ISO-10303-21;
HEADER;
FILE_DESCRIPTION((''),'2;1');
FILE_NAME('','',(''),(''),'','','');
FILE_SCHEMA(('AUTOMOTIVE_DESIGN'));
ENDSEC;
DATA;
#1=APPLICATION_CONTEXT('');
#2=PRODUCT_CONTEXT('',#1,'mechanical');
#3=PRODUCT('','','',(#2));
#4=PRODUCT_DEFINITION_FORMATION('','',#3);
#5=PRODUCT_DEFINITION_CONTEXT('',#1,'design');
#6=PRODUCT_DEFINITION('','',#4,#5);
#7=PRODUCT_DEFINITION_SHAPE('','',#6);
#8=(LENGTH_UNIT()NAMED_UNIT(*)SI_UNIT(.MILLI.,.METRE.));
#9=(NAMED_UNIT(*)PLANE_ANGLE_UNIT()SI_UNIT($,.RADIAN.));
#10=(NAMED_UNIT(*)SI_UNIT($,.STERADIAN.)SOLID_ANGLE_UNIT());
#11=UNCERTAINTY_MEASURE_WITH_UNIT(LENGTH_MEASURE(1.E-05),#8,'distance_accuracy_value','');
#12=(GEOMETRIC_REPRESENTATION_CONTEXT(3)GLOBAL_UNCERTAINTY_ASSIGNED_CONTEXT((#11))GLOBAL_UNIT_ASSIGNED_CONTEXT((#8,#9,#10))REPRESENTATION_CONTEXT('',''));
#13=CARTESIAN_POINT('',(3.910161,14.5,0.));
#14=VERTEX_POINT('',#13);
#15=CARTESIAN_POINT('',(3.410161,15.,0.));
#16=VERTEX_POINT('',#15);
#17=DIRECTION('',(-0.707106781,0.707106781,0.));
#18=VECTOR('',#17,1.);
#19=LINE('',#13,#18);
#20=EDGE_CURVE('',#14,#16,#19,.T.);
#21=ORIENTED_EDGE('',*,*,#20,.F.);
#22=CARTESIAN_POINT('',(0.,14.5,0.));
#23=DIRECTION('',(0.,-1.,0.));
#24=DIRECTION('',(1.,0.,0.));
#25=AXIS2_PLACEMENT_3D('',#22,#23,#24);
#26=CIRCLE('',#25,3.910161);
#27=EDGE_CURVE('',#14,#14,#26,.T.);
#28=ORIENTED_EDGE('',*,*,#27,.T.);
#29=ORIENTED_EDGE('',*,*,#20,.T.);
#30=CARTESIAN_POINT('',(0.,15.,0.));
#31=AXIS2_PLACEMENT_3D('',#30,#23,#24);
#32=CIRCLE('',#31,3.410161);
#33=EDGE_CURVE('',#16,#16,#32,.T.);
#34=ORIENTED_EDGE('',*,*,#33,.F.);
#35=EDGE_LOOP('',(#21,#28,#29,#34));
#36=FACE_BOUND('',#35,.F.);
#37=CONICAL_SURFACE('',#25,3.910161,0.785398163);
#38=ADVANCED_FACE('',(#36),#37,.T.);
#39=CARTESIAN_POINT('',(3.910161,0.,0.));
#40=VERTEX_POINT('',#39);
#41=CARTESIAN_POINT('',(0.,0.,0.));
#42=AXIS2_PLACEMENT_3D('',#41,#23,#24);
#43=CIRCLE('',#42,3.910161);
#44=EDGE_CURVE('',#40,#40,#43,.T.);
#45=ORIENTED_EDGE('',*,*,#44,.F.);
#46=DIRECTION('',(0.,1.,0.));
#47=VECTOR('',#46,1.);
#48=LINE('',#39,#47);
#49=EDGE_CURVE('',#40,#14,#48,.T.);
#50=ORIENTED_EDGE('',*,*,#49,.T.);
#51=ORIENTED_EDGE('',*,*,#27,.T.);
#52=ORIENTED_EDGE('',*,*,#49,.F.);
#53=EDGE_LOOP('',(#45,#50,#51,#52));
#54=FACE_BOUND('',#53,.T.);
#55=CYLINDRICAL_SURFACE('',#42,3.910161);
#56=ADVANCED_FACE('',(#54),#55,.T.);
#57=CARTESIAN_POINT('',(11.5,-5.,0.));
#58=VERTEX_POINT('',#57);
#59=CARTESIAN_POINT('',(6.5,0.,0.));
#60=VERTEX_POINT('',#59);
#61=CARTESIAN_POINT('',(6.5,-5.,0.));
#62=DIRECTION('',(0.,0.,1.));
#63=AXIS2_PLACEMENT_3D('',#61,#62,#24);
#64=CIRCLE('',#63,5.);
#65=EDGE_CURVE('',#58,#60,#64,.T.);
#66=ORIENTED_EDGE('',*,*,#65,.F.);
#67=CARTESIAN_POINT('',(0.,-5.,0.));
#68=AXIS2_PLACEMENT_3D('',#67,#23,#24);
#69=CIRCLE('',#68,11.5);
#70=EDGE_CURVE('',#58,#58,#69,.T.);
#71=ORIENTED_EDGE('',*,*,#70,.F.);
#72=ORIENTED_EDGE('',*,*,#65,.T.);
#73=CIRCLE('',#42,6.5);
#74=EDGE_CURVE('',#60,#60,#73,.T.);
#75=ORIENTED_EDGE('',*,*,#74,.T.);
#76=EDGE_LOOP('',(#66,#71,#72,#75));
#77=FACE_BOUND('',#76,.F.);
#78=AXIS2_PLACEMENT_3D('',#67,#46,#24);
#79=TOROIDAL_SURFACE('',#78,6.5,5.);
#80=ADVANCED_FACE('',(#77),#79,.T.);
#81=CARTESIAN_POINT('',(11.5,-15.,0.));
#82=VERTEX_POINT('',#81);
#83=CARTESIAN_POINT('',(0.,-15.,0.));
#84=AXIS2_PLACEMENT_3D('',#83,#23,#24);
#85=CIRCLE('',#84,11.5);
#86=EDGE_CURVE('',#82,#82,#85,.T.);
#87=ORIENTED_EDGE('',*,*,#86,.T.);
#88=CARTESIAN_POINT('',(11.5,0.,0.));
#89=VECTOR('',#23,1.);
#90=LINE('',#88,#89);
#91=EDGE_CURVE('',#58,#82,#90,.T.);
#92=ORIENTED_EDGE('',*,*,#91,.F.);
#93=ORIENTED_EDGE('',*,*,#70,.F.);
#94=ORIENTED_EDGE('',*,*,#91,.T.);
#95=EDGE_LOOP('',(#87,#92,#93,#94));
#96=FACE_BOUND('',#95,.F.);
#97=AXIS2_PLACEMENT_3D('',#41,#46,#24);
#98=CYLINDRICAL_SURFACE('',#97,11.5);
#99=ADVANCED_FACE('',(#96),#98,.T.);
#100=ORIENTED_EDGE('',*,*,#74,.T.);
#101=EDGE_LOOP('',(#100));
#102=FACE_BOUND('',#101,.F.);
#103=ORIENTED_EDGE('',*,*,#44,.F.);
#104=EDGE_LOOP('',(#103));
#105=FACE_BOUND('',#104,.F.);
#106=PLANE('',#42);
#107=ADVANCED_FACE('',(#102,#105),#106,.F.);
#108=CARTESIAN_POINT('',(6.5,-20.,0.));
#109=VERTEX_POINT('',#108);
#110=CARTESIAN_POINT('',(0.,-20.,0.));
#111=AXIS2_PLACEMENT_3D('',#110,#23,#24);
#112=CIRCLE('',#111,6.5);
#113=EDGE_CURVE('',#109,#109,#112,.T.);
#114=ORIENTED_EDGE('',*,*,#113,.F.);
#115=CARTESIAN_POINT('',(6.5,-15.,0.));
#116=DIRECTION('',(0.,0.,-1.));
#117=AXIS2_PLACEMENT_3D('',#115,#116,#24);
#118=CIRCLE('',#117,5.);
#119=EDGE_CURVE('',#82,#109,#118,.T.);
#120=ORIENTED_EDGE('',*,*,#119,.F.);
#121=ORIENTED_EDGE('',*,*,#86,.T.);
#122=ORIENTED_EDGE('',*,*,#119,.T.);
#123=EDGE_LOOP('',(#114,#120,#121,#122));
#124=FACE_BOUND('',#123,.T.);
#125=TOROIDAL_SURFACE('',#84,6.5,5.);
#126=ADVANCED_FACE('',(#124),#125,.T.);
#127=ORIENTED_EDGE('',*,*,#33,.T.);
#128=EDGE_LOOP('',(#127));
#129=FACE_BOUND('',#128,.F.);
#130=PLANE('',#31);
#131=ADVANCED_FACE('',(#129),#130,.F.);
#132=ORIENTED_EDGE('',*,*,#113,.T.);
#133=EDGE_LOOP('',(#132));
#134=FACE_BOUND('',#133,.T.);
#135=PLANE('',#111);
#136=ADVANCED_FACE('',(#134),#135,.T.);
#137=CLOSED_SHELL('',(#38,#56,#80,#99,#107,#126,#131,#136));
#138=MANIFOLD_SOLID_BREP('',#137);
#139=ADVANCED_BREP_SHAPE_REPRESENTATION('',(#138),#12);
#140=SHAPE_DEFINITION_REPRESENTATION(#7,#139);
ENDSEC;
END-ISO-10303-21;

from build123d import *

# Parameters (mm, degrees)
F0_R     = 11.5
F1_DEPTH = 20
F2_R     = 5
F3_R     = 3.910161
F4_DEPTH = 15
F5_SIZE  = 0.5


with BuildPart() as f1:
    # F0 (on Front) → F1 (new body)
    with BuildSketch(Plane.XZ):
        Circle(F0_R)
    extrude(amount=F1_DEPTH)

    # F2
    f2_edges = [f1.edges().sort_by_distance(p)[0] for p in [
        (-11.5, -20, 0),
        (-11.5, 0, 0),
    ]]
    fillet(f2_edges, radius=F2_R)

    # F3 (on Front) → F4 (join)
    with BuildSketch(Plane.XZ):
        Circle(F3_R)
    extrude(amount=-F4_DEPTH)

    # F5
    f5_edges = [f1.edges().sort_by_distance(p)[0] for p in [
        (-3.910161, 15, 0),
    ]]
    chamfer(f5_edges, length=F5_SIZE)


solid = f1.part
